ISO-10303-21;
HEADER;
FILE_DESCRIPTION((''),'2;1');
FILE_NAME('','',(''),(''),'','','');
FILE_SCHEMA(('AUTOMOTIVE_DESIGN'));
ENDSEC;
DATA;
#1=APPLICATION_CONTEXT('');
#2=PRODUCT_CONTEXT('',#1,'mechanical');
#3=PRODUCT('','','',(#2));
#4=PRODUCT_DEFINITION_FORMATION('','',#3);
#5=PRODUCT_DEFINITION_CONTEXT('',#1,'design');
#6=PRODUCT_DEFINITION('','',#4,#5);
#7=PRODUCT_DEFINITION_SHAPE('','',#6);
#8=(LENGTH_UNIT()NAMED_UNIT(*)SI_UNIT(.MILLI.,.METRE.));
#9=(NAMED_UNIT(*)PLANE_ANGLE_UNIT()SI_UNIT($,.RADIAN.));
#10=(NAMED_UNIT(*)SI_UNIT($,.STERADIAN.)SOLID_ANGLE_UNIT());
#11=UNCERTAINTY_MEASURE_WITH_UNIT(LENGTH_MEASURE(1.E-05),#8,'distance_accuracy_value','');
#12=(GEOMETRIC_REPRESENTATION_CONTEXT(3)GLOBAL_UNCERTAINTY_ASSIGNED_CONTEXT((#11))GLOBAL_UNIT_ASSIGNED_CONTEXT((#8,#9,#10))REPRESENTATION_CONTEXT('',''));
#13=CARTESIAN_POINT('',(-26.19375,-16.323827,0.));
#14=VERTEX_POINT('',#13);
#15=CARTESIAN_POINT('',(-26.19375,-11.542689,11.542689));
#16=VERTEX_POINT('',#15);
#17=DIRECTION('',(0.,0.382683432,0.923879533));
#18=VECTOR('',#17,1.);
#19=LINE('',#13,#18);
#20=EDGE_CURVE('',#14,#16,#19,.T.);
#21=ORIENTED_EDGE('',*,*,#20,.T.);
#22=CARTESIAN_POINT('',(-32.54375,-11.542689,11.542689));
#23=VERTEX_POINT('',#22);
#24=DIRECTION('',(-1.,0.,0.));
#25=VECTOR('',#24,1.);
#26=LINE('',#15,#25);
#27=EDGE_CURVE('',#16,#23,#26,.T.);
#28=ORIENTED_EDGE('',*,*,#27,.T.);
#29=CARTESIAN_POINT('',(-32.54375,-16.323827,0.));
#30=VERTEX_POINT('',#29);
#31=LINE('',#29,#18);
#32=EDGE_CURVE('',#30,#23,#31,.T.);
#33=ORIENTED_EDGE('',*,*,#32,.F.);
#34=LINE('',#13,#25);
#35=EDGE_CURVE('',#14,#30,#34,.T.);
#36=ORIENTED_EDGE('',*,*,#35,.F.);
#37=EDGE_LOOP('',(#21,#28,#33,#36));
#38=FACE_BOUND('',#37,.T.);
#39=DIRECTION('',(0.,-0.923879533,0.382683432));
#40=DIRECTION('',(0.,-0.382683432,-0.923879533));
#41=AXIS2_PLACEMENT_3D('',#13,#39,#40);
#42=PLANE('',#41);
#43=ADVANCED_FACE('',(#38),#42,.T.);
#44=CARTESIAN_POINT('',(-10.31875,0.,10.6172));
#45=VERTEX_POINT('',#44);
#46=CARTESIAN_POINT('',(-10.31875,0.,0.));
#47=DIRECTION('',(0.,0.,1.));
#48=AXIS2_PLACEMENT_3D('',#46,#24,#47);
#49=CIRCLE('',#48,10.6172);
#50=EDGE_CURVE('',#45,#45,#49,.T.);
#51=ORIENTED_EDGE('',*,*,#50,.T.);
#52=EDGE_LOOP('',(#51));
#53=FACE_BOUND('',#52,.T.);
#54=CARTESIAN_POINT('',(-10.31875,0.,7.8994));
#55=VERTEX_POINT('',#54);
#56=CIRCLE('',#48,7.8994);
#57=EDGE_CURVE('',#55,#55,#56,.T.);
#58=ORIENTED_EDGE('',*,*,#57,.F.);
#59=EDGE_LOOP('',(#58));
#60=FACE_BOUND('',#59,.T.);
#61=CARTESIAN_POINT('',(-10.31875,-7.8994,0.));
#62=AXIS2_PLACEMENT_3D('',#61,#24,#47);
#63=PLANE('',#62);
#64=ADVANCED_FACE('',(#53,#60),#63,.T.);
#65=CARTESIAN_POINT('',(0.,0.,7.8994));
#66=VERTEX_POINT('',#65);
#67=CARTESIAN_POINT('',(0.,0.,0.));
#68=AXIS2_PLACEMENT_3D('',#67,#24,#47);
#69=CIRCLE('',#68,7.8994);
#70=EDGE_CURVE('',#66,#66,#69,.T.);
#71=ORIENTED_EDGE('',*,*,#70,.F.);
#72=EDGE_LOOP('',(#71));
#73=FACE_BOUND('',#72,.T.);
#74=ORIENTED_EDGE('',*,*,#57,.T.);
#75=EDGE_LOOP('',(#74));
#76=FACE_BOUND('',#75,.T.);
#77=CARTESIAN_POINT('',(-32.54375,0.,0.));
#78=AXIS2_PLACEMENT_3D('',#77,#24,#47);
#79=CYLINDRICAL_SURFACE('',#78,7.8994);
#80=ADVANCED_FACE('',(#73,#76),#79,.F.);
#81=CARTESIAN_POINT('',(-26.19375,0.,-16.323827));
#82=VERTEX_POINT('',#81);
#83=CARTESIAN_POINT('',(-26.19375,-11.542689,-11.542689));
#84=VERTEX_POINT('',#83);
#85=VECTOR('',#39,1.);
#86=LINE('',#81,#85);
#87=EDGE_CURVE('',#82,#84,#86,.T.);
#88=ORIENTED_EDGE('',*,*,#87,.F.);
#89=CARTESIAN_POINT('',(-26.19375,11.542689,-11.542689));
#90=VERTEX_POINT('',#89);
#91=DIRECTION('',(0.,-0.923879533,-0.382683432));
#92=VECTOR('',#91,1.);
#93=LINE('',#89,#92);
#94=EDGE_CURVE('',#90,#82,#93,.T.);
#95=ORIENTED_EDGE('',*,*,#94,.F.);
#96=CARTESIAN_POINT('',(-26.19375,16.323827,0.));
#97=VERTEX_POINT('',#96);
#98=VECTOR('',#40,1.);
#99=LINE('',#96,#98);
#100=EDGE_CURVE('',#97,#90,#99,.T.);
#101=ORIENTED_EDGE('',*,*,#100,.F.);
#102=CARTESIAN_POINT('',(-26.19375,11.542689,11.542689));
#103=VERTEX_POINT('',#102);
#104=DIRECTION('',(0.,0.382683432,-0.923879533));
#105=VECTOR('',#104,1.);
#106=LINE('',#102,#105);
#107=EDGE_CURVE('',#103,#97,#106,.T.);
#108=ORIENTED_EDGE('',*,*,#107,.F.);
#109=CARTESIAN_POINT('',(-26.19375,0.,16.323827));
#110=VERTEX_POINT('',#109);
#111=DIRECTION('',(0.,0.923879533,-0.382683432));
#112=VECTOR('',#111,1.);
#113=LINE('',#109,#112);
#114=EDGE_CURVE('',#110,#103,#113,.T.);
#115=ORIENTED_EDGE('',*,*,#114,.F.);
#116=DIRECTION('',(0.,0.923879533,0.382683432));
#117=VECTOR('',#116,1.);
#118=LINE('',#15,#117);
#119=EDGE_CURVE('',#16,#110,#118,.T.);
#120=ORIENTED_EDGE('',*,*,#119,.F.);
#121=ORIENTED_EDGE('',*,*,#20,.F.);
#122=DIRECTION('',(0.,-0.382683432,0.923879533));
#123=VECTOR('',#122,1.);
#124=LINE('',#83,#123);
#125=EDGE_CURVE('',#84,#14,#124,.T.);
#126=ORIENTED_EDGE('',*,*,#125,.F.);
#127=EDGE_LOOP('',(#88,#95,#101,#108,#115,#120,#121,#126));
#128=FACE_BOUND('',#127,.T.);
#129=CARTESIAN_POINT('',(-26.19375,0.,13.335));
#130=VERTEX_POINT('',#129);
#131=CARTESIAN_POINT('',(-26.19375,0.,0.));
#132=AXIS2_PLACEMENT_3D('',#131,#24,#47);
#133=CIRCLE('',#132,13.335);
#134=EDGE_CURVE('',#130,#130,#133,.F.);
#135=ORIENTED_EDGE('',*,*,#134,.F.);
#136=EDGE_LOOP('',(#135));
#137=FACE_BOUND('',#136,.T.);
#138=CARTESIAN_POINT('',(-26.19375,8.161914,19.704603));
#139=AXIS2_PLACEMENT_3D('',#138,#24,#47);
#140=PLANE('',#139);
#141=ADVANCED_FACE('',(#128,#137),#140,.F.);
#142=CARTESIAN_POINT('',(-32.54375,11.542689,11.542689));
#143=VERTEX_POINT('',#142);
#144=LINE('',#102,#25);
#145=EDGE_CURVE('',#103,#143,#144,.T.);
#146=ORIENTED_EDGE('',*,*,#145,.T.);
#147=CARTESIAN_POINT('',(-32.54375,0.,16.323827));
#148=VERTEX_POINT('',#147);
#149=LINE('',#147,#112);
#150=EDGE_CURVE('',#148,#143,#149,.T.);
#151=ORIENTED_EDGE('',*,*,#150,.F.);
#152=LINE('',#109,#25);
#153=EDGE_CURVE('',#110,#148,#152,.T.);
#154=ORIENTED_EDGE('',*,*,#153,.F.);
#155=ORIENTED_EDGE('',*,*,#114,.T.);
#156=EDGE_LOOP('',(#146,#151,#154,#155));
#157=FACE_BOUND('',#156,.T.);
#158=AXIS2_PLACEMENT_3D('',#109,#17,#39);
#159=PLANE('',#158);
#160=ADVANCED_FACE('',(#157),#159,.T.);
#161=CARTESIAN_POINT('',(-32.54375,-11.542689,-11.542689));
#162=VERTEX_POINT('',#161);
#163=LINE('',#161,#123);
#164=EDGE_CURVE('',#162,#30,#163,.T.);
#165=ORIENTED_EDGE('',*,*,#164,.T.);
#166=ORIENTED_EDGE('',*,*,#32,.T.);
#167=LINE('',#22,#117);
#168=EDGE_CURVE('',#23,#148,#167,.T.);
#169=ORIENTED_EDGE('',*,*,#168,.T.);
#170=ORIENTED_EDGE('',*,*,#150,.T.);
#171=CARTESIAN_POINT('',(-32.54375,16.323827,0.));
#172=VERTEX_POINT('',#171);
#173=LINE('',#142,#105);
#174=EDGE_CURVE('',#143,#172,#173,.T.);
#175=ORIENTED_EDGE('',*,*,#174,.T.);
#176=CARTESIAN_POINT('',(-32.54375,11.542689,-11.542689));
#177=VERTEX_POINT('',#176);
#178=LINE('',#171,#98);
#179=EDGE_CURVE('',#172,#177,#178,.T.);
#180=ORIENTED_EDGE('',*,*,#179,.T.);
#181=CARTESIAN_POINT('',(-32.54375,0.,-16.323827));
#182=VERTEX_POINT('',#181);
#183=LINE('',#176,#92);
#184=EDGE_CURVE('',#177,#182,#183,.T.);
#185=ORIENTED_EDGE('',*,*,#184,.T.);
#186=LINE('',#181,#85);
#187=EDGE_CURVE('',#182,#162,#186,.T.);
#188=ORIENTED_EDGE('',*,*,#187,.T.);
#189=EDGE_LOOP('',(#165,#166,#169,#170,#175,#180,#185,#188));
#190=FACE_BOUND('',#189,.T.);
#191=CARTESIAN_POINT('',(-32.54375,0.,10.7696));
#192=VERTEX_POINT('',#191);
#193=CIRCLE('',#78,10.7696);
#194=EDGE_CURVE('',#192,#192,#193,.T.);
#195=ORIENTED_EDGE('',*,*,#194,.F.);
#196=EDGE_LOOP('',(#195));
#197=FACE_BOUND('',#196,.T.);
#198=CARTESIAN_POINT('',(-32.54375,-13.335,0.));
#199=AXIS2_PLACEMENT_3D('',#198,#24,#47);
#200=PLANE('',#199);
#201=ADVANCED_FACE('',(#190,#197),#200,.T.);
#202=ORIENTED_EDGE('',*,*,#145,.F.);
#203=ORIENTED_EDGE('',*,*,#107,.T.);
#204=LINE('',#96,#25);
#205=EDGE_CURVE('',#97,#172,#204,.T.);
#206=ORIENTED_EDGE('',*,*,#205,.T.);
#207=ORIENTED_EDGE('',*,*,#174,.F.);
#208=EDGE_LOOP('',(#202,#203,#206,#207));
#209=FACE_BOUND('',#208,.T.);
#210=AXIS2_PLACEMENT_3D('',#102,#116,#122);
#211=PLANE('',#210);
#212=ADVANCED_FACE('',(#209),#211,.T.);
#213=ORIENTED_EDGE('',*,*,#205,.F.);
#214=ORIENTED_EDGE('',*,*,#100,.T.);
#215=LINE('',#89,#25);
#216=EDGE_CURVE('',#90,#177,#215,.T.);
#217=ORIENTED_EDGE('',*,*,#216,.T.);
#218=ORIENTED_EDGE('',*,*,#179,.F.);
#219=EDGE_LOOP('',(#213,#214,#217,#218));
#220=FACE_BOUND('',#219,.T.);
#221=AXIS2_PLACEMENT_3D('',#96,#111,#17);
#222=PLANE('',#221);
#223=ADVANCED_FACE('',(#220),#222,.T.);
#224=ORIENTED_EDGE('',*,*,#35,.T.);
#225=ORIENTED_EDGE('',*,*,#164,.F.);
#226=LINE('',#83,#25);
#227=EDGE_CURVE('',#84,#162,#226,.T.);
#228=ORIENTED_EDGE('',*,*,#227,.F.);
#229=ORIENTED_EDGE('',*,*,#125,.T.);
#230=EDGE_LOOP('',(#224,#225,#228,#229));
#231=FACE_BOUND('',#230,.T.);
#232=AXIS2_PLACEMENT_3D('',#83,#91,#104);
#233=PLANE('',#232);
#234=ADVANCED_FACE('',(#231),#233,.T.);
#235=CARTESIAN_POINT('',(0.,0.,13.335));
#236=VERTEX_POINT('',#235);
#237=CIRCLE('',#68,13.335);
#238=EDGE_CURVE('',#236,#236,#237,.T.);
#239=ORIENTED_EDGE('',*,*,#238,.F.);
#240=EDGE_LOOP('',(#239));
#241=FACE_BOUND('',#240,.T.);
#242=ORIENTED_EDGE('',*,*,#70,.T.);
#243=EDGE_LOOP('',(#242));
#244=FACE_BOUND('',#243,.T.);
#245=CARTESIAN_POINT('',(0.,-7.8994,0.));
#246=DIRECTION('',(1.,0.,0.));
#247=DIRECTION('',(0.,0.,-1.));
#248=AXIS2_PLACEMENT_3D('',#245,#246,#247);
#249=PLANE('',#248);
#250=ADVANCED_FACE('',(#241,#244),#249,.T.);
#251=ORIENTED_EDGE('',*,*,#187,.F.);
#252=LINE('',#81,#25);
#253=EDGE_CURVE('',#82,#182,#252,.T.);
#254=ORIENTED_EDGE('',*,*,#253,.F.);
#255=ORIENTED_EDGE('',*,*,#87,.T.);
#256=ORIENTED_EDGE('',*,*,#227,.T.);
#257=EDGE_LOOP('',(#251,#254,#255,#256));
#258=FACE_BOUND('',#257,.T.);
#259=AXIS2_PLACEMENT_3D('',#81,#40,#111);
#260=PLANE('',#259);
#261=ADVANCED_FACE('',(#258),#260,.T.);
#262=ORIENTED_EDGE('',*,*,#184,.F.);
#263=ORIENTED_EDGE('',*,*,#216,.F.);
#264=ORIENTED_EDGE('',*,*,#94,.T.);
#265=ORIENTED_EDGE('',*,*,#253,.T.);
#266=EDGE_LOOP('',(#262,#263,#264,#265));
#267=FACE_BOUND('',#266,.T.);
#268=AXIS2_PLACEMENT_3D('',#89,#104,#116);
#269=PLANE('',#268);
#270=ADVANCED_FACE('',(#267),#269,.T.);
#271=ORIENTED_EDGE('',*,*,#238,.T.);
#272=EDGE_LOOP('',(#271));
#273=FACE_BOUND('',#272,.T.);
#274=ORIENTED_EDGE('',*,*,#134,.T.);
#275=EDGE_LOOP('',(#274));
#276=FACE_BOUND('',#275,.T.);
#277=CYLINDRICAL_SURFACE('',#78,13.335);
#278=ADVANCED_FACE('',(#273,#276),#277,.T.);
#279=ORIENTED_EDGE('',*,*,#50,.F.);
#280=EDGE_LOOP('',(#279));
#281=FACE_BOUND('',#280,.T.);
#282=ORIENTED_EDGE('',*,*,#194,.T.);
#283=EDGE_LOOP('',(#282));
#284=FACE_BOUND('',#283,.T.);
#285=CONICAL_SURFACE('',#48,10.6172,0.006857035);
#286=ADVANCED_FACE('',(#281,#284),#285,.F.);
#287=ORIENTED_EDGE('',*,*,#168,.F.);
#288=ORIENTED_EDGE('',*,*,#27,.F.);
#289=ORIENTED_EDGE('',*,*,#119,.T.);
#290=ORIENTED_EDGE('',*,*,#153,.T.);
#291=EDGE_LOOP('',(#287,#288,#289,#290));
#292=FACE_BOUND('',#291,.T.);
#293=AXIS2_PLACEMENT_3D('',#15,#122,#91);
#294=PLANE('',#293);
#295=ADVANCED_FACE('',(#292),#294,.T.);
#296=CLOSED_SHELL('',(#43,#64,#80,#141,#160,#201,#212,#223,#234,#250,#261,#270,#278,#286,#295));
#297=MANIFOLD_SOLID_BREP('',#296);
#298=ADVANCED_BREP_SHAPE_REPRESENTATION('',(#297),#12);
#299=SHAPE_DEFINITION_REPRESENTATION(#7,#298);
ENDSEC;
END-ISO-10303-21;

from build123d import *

# Parameters (mm, degrees)
SKETCH2_R           = 10.7696
BOSS_EXTRUDE1_DEPTH = 6.35


with BuildPart() as part:
    # Sketch1 → Revolve1 (revolve)
    with BuildSketch(Plane.XY):
        Polygon((-32.54375, -13.335), (0, -13.335), (0, -7.8994), (-10.31875, -7.8994), (-10.31875, -10.6172), (-32.54375, -10.7696), align=None)
    revolve(axis=Axis((-32.54375, 0, 0), (1, 0, 0)))

    # Sketch2 → Boss-Extrude1 (add)
    with BuildSketch(Plane.ZY.offset(32.54375)):
        Polygon((16.323827371, 0), (11.542689029, 11.542689029), (0, 16.323827371), (-11.542689029, 11.542689029), (-16.323827371, 0), (-11.542689029, -11.542689029), (0, -16.323827371), (11.542689029, -11.542689029), align=None)
        Circle(SKETCH2_R, mode=Mode.SUBTRACT)
    extrude(amount=-BOSS_EXTRUDE1_DEPTH)


solid = part.part
